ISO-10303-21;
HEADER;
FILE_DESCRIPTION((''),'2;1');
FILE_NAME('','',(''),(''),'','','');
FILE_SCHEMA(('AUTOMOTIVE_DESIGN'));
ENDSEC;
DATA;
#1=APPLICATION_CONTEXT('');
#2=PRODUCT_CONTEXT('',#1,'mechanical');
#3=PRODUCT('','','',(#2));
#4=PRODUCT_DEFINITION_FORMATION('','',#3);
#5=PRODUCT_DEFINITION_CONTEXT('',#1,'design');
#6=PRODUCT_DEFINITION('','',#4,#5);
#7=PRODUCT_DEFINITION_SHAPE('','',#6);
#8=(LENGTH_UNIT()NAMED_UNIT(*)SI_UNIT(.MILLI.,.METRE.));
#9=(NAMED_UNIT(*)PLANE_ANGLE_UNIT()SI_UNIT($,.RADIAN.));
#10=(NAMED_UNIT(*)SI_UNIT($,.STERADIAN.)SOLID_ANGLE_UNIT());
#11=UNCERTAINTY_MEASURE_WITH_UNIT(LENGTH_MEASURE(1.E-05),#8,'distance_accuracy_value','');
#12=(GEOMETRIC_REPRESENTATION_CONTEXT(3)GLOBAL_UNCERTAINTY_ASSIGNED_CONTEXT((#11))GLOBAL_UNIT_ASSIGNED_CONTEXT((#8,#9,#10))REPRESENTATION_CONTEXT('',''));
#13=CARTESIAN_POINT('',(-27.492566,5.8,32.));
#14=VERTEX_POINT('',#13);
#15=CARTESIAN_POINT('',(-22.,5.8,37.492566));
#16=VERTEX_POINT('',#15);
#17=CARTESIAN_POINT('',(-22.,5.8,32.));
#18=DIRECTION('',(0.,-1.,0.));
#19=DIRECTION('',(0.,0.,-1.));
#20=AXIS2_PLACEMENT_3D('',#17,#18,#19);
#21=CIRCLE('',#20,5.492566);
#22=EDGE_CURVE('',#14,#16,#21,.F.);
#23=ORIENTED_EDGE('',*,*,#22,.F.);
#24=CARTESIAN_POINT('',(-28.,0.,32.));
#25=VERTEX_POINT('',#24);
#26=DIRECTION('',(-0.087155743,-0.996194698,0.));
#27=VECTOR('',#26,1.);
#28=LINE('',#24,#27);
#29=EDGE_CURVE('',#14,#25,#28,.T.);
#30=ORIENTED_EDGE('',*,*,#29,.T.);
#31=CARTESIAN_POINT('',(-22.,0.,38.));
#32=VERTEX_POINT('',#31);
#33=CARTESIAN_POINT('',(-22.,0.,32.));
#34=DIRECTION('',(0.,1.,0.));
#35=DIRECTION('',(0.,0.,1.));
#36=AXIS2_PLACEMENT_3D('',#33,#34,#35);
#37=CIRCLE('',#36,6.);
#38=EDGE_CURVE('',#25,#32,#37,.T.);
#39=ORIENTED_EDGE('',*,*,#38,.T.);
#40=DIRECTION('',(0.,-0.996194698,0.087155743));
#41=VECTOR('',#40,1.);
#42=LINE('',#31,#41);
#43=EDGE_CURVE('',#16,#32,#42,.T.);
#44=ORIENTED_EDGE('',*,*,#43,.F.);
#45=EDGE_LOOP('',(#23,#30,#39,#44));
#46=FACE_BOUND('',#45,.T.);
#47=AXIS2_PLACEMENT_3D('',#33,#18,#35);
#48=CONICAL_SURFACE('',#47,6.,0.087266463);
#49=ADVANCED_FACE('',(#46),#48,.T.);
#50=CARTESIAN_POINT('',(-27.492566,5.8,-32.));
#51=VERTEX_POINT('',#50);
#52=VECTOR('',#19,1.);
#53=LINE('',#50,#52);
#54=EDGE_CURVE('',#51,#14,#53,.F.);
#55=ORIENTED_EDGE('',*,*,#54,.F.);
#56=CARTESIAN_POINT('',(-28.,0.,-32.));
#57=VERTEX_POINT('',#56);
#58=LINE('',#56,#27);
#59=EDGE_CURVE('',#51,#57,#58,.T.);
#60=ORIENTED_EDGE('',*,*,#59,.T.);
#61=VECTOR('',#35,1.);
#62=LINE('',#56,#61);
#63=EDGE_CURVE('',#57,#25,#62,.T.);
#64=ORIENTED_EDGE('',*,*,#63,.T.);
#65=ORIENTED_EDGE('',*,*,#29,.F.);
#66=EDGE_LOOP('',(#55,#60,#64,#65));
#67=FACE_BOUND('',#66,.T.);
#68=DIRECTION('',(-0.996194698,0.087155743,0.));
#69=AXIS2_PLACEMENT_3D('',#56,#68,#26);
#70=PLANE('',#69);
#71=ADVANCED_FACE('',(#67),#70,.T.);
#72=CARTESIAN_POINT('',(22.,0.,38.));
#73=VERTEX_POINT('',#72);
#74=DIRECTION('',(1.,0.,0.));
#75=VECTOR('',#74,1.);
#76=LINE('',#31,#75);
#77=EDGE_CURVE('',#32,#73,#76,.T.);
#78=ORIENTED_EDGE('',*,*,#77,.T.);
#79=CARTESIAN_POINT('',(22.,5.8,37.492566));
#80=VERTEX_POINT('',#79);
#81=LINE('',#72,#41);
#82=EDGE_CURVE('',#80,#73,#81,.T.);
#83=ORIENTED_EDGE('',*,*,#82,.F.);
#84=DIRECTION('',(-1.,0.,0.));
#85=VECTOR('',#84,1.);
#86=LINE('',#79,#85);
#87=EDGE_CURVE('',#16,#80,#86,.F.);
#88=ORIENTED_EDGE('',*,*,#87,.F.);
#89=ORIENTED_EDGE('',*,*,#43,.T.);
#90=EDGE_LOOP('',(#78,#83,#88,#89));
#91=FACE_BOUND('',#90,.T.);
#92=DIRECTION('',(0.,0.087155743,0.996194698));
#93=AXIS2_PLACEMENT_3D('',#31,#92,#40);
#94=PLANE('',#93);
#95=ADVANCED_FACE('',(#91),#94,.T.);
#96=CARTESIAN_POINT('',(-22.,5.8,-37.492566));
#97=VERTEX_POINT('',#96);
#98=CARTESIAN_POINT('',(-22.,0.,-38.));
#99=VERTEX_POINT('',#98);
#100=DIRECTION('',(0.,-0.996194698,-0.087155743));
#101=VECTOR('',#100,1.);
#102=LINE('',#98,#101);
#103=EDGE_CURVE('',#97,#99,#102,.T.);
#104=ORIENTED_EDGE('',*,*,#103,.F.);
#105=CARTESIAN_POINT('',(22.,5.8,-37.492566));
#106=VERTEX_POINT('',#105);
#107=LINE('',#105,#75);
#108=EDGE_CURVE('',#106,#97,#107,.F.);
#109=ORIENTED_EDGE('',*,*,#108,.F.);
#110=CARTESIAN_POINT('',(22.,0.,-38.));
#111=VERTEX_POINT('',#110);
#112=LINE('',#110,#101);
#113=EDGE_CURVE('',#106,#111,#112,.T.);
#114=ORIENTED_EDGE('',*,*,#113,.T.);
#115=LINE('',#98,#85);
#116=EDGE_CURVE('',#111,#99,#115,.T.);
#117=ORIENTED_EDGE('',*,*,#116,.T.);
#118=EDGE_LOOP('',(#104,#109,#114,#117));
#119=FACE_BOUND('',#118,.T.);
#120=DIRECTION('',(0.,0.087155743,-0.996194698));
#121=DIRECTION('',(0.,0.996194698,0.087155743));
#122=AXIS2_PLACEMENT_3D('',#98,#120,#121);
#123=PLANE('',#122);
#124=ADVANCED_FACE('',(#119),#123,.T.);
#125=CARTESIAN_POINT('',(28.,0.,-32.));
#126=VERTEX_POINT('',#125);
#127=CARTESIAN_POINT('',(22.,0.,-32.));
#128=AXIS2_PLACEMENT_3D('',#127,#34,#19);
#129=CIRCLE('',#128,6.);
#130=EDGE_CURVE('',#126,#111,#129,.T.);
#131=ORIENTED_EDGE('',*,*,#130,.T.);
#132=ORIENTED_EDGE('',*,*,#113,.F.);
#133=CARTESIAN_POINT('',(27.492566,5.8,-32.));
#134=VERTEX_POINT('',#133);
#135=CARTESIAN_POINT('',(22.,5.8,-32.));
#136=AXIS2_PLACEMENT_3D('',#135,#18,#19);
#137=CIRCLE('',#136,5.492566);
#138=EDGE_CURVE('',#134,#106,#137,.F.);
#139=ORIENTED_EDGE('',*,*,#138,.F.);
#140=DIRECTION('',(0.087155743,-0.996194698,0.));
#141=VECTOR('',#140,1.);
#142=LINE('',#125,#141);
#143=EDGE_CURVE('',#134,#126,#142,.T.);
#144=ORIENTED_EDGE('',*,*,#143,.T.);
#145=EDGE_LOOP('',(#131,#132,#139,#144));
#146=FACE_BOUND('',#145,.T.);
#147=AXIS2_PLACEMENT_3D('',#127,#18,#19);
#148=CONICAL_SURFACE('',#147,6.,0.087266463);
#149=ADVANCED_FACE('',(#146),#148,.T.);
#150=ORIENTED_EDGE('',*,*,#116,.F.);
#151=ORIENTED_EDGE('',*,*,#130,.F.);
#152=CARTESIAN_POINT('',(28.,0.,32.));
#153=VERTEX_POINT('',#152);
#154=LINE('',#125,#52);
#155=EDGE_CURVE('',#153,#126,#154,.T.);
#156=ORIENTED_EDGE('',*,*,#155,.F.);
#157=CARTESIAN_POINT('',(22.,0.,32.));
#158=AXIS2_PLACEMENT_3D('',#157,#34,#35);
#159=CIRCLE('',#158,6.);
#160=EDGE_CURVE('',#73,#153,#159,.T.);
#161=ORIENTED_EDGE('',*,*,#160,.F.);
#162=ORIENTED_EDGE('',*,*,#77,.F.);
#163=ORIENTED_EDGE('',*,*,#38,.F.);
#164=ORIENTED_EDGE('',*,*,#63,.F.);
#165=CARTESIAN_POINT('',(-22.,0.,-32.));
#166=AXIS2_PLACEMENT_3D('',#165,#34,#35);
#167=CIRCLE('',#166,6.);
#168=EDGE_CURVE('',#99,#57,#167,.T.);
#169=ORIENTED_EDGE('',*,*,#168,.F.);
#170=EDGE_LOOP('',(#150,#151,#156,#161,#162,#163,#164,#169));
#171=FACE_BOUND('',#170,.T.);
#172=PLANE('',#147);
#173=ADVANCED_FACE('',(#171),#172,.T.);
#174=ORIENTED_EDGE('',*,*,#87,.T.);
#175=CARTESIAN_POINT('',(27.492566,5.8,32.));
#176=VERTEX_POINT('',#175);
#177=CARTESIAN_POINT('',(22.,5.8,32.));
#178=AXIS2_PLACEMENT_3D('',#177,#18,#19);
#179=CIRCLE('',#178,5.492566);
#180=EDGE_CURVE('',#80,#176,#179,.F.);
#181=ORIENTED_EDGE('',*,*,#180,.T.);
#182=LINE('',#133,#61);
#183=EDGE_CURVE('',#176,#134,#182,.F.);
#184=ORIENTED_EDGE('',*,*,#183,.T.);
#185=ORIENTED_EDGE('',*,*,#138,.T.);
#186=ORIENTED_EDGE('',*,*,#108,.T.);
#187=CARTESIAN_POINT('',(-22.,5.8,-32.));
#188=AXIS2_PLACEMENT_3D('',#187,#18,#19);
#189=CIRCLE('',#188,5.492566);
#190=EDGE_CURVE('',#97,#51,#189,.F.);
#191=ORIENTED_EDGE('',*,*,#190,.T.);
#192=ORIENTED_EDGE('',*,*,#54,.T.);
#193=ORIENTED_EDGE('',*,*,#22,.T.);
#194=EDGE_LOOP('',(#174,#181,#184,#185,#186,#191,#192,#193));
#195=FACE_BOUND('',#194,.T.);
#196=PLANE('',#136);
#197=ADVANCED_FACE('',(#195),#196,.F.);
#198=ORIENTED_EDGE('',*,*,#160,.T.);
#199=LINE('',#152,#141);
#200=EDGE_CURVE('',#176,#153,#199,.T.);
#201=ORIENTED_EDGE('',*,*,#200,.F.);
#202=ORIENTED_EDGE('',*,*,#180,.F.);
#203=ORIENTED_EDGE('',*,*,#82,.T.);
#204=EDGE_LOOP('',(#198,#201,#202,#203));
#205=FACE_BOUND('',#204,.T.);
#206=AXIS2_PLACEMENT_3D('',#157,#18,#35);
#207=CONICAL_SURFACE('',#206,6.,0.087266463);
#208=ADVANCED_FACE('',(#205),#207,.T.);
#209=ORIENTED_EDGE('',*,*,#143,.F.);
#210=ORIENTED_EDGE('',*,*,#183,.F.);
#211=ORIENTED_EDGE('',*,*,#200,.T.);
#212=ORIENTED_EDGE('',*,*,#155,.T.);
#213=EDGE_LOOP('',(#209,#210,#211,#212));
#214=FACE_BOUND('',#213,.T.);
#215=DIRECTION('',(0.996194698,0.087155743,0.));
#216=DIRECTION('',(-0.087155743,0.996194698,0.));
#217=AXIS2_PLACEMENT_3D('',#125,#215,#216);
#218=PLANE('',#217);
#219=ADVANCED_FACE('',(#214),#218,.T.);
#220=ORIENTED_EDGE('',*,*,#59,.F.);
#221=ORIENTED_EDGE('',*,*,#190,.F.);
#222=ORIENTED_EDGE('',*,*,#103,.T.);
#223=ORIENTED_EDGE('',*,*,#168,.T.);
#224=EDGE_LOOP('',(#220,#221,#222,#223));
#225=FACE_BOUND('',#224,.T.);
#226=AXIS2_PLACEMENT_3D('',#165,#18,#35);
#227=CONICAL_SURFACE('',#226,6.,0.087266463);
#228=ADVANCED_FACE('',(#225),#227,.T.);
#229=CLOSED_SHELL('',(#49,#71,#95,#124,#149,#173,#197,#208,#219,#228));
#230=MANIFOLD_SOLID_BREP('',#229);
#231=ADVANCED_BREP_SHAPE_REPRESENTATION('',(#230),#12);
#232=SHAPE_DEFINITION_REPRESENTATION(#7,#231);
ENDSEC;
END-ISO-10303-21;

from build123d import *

# Parameters (mm, degrees)
BOSS_EXTRUDE2_DEPTH = 5.8
BOSS_EXTRUDE2_TAPER = 5


with BuildPart() as part:
    # Sketch3 → Boss-Extrude2 (new body)
    with BuildSketch(Plane(origin=(0, 0, 0), x_dir=(1, 0, 0), z_dir=(0, 1, 0))):
        with BuildLine():
            ThreePointArc((-22, 38), (-26.242640687, 36.242640687), (-28, 32))
            Line((-28, 32), (-28, -32))
            ThreePointArc((-28, -32), (-26.242640687, -36.242640687), (-22, -38))
            Line((-22, -38), (22, -38))
            ThreePointArc((22, -38), (26.242640687, -36.242640687), (28, -32))
            Line((28, -32), (28, 32))
            ThreePointArc((28, 32), (26.242640687, 36.242640687), (22, 38))
            Line((22, 38), (-22, 38))
        make_face()
    extrude(amount=BOSS_EXTRUDE2_DEPTH, taper=BOSS_EXTRUDE2_TAPER)


solid = part.part
